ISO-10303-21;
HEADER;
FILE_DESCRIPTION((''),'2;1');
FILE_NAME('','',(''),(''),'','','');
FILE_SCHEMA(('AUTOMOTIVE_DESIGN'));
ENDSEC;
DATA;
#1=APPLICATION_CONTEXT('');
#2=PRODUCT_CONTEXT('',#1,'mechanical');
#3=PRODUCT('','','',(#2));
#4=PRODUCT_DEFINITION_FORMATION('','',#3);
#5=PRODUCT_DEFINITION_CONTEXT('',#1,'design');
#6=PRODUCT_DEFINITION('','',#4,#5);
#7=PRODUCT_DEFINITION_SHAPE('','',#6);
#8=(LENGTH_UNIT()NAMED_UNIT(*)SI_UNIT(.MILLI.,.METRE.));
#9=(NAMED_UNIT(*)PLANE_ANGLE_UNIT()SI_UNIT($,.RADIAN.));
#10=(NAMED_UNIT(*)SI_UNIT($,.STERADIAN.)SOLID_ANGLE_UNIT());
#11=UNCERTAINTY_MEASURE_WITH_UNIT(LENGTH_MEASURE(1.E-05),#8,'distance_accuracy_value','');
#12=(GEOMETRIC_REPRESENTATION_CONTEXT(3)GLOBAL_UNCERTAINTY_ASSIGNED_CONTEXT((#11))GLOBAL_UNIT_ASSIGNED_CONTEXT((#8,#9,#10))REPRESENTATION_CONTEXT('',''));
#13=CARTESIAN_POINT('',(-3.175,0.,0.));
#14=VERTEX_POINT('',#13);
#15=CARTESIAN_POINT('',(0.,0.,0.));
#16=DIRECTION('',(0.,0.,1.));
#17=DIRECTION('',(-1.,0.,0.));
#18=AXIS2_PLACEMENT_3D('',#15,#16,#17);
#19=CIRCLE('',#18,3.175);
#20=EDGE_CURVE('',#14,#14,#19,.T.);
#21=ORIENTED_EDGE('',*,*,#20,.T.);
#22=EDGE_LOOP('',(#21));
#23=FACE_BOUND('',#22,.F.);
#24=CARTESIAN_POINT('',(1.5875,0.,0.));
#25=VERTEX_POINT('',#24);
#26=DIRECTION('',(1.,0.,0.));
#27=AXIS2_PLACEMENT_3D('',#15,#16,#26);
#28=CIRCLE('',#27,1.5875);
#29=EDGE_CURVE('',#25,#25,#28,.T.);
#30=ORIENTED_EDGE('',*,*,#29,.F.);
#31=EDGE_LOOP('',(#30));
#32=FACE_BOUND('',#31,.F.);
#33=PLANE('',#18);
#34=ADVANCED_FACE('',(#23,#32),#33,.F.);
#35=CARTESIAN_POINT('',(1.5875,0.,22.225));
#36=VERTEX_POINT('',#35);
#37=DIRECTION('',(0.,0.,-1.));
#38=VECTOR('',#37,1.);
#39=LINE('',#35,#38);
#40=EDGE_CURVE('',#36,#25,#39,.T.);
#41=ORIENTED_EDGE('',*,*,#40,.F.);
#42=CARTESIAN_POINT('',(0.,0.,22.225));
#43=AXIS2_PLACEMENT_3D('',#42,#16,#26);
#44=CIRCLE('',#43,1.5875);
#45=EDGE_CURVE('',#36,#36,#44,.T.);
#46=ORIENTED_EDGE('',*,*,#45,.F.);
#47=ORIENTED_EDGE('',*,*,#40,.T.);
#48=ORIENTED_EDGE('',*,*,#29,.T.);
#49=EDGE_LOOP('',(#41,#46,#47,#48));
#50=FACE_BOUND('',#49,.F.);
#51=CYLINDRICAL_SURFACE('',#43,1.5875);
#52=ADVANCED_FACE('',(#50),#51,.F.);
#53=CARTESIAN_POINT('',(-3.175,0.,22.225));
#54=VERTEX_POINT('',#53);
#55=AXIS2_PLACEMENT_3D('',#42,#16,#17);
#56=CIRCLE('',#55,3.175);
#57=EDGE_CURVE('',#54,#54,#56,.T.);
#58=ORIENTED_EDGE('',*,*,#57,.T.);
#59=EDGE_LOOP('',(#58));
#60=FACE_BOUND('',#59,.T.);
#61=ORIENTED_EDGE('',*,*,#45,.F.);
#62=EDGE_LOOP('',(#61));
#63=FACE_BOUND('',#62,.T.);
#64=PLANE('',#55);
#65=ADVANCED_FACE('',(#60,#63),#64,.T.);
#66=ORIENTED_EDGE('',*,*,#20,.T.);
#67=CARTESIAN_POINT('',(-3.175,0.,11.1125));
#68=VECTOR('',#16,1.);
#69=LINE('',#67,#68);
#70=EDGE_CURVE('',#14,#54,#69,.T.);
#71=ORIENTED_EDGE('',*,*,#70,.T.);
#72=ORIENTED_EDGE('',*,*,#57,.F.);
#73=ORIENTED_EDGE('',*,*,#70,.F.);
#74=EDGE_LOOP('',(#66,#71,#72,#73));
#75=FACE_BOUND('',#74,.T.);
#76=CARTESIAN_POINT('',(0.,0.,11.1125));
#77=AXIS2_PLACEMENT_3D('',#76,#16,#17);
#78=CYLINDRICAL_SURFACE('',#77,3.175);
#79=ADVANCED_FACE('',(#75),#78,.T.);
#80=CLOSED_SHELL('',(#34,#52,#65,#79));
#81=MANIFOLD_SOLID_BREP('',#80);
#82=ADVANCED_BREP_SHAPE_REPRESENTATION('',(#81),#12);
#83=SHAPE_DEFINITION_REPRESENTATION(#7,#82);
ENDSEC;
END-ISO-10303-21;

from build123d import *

# Parameters (mm, degrees)
F0_W     = 3.175
F0_H     = 22.225
F2_R     = 1.5875
F3_DEPTH = 22.225


with BuildPart() as f1:
    # F0 (on Front) → F1 (revolve)
    with BuildSketch(Plane.XZ):
        with Locations((-1.5875, 11.1125)):
            Rectangle(F0_W, F0_H)
    revolve(axis=Axis((0, 0, 11.1125), (0, 0, 1)))

    # F2 (on face) → F3 (cut, through all)
    with BuildSketch(Plane.XY.offset(22.225)):
        Circle(F2_R)
    extrude(amount=-F3_DEPTH, mode=Mode.SUBTRACT)


solid = f1.part
